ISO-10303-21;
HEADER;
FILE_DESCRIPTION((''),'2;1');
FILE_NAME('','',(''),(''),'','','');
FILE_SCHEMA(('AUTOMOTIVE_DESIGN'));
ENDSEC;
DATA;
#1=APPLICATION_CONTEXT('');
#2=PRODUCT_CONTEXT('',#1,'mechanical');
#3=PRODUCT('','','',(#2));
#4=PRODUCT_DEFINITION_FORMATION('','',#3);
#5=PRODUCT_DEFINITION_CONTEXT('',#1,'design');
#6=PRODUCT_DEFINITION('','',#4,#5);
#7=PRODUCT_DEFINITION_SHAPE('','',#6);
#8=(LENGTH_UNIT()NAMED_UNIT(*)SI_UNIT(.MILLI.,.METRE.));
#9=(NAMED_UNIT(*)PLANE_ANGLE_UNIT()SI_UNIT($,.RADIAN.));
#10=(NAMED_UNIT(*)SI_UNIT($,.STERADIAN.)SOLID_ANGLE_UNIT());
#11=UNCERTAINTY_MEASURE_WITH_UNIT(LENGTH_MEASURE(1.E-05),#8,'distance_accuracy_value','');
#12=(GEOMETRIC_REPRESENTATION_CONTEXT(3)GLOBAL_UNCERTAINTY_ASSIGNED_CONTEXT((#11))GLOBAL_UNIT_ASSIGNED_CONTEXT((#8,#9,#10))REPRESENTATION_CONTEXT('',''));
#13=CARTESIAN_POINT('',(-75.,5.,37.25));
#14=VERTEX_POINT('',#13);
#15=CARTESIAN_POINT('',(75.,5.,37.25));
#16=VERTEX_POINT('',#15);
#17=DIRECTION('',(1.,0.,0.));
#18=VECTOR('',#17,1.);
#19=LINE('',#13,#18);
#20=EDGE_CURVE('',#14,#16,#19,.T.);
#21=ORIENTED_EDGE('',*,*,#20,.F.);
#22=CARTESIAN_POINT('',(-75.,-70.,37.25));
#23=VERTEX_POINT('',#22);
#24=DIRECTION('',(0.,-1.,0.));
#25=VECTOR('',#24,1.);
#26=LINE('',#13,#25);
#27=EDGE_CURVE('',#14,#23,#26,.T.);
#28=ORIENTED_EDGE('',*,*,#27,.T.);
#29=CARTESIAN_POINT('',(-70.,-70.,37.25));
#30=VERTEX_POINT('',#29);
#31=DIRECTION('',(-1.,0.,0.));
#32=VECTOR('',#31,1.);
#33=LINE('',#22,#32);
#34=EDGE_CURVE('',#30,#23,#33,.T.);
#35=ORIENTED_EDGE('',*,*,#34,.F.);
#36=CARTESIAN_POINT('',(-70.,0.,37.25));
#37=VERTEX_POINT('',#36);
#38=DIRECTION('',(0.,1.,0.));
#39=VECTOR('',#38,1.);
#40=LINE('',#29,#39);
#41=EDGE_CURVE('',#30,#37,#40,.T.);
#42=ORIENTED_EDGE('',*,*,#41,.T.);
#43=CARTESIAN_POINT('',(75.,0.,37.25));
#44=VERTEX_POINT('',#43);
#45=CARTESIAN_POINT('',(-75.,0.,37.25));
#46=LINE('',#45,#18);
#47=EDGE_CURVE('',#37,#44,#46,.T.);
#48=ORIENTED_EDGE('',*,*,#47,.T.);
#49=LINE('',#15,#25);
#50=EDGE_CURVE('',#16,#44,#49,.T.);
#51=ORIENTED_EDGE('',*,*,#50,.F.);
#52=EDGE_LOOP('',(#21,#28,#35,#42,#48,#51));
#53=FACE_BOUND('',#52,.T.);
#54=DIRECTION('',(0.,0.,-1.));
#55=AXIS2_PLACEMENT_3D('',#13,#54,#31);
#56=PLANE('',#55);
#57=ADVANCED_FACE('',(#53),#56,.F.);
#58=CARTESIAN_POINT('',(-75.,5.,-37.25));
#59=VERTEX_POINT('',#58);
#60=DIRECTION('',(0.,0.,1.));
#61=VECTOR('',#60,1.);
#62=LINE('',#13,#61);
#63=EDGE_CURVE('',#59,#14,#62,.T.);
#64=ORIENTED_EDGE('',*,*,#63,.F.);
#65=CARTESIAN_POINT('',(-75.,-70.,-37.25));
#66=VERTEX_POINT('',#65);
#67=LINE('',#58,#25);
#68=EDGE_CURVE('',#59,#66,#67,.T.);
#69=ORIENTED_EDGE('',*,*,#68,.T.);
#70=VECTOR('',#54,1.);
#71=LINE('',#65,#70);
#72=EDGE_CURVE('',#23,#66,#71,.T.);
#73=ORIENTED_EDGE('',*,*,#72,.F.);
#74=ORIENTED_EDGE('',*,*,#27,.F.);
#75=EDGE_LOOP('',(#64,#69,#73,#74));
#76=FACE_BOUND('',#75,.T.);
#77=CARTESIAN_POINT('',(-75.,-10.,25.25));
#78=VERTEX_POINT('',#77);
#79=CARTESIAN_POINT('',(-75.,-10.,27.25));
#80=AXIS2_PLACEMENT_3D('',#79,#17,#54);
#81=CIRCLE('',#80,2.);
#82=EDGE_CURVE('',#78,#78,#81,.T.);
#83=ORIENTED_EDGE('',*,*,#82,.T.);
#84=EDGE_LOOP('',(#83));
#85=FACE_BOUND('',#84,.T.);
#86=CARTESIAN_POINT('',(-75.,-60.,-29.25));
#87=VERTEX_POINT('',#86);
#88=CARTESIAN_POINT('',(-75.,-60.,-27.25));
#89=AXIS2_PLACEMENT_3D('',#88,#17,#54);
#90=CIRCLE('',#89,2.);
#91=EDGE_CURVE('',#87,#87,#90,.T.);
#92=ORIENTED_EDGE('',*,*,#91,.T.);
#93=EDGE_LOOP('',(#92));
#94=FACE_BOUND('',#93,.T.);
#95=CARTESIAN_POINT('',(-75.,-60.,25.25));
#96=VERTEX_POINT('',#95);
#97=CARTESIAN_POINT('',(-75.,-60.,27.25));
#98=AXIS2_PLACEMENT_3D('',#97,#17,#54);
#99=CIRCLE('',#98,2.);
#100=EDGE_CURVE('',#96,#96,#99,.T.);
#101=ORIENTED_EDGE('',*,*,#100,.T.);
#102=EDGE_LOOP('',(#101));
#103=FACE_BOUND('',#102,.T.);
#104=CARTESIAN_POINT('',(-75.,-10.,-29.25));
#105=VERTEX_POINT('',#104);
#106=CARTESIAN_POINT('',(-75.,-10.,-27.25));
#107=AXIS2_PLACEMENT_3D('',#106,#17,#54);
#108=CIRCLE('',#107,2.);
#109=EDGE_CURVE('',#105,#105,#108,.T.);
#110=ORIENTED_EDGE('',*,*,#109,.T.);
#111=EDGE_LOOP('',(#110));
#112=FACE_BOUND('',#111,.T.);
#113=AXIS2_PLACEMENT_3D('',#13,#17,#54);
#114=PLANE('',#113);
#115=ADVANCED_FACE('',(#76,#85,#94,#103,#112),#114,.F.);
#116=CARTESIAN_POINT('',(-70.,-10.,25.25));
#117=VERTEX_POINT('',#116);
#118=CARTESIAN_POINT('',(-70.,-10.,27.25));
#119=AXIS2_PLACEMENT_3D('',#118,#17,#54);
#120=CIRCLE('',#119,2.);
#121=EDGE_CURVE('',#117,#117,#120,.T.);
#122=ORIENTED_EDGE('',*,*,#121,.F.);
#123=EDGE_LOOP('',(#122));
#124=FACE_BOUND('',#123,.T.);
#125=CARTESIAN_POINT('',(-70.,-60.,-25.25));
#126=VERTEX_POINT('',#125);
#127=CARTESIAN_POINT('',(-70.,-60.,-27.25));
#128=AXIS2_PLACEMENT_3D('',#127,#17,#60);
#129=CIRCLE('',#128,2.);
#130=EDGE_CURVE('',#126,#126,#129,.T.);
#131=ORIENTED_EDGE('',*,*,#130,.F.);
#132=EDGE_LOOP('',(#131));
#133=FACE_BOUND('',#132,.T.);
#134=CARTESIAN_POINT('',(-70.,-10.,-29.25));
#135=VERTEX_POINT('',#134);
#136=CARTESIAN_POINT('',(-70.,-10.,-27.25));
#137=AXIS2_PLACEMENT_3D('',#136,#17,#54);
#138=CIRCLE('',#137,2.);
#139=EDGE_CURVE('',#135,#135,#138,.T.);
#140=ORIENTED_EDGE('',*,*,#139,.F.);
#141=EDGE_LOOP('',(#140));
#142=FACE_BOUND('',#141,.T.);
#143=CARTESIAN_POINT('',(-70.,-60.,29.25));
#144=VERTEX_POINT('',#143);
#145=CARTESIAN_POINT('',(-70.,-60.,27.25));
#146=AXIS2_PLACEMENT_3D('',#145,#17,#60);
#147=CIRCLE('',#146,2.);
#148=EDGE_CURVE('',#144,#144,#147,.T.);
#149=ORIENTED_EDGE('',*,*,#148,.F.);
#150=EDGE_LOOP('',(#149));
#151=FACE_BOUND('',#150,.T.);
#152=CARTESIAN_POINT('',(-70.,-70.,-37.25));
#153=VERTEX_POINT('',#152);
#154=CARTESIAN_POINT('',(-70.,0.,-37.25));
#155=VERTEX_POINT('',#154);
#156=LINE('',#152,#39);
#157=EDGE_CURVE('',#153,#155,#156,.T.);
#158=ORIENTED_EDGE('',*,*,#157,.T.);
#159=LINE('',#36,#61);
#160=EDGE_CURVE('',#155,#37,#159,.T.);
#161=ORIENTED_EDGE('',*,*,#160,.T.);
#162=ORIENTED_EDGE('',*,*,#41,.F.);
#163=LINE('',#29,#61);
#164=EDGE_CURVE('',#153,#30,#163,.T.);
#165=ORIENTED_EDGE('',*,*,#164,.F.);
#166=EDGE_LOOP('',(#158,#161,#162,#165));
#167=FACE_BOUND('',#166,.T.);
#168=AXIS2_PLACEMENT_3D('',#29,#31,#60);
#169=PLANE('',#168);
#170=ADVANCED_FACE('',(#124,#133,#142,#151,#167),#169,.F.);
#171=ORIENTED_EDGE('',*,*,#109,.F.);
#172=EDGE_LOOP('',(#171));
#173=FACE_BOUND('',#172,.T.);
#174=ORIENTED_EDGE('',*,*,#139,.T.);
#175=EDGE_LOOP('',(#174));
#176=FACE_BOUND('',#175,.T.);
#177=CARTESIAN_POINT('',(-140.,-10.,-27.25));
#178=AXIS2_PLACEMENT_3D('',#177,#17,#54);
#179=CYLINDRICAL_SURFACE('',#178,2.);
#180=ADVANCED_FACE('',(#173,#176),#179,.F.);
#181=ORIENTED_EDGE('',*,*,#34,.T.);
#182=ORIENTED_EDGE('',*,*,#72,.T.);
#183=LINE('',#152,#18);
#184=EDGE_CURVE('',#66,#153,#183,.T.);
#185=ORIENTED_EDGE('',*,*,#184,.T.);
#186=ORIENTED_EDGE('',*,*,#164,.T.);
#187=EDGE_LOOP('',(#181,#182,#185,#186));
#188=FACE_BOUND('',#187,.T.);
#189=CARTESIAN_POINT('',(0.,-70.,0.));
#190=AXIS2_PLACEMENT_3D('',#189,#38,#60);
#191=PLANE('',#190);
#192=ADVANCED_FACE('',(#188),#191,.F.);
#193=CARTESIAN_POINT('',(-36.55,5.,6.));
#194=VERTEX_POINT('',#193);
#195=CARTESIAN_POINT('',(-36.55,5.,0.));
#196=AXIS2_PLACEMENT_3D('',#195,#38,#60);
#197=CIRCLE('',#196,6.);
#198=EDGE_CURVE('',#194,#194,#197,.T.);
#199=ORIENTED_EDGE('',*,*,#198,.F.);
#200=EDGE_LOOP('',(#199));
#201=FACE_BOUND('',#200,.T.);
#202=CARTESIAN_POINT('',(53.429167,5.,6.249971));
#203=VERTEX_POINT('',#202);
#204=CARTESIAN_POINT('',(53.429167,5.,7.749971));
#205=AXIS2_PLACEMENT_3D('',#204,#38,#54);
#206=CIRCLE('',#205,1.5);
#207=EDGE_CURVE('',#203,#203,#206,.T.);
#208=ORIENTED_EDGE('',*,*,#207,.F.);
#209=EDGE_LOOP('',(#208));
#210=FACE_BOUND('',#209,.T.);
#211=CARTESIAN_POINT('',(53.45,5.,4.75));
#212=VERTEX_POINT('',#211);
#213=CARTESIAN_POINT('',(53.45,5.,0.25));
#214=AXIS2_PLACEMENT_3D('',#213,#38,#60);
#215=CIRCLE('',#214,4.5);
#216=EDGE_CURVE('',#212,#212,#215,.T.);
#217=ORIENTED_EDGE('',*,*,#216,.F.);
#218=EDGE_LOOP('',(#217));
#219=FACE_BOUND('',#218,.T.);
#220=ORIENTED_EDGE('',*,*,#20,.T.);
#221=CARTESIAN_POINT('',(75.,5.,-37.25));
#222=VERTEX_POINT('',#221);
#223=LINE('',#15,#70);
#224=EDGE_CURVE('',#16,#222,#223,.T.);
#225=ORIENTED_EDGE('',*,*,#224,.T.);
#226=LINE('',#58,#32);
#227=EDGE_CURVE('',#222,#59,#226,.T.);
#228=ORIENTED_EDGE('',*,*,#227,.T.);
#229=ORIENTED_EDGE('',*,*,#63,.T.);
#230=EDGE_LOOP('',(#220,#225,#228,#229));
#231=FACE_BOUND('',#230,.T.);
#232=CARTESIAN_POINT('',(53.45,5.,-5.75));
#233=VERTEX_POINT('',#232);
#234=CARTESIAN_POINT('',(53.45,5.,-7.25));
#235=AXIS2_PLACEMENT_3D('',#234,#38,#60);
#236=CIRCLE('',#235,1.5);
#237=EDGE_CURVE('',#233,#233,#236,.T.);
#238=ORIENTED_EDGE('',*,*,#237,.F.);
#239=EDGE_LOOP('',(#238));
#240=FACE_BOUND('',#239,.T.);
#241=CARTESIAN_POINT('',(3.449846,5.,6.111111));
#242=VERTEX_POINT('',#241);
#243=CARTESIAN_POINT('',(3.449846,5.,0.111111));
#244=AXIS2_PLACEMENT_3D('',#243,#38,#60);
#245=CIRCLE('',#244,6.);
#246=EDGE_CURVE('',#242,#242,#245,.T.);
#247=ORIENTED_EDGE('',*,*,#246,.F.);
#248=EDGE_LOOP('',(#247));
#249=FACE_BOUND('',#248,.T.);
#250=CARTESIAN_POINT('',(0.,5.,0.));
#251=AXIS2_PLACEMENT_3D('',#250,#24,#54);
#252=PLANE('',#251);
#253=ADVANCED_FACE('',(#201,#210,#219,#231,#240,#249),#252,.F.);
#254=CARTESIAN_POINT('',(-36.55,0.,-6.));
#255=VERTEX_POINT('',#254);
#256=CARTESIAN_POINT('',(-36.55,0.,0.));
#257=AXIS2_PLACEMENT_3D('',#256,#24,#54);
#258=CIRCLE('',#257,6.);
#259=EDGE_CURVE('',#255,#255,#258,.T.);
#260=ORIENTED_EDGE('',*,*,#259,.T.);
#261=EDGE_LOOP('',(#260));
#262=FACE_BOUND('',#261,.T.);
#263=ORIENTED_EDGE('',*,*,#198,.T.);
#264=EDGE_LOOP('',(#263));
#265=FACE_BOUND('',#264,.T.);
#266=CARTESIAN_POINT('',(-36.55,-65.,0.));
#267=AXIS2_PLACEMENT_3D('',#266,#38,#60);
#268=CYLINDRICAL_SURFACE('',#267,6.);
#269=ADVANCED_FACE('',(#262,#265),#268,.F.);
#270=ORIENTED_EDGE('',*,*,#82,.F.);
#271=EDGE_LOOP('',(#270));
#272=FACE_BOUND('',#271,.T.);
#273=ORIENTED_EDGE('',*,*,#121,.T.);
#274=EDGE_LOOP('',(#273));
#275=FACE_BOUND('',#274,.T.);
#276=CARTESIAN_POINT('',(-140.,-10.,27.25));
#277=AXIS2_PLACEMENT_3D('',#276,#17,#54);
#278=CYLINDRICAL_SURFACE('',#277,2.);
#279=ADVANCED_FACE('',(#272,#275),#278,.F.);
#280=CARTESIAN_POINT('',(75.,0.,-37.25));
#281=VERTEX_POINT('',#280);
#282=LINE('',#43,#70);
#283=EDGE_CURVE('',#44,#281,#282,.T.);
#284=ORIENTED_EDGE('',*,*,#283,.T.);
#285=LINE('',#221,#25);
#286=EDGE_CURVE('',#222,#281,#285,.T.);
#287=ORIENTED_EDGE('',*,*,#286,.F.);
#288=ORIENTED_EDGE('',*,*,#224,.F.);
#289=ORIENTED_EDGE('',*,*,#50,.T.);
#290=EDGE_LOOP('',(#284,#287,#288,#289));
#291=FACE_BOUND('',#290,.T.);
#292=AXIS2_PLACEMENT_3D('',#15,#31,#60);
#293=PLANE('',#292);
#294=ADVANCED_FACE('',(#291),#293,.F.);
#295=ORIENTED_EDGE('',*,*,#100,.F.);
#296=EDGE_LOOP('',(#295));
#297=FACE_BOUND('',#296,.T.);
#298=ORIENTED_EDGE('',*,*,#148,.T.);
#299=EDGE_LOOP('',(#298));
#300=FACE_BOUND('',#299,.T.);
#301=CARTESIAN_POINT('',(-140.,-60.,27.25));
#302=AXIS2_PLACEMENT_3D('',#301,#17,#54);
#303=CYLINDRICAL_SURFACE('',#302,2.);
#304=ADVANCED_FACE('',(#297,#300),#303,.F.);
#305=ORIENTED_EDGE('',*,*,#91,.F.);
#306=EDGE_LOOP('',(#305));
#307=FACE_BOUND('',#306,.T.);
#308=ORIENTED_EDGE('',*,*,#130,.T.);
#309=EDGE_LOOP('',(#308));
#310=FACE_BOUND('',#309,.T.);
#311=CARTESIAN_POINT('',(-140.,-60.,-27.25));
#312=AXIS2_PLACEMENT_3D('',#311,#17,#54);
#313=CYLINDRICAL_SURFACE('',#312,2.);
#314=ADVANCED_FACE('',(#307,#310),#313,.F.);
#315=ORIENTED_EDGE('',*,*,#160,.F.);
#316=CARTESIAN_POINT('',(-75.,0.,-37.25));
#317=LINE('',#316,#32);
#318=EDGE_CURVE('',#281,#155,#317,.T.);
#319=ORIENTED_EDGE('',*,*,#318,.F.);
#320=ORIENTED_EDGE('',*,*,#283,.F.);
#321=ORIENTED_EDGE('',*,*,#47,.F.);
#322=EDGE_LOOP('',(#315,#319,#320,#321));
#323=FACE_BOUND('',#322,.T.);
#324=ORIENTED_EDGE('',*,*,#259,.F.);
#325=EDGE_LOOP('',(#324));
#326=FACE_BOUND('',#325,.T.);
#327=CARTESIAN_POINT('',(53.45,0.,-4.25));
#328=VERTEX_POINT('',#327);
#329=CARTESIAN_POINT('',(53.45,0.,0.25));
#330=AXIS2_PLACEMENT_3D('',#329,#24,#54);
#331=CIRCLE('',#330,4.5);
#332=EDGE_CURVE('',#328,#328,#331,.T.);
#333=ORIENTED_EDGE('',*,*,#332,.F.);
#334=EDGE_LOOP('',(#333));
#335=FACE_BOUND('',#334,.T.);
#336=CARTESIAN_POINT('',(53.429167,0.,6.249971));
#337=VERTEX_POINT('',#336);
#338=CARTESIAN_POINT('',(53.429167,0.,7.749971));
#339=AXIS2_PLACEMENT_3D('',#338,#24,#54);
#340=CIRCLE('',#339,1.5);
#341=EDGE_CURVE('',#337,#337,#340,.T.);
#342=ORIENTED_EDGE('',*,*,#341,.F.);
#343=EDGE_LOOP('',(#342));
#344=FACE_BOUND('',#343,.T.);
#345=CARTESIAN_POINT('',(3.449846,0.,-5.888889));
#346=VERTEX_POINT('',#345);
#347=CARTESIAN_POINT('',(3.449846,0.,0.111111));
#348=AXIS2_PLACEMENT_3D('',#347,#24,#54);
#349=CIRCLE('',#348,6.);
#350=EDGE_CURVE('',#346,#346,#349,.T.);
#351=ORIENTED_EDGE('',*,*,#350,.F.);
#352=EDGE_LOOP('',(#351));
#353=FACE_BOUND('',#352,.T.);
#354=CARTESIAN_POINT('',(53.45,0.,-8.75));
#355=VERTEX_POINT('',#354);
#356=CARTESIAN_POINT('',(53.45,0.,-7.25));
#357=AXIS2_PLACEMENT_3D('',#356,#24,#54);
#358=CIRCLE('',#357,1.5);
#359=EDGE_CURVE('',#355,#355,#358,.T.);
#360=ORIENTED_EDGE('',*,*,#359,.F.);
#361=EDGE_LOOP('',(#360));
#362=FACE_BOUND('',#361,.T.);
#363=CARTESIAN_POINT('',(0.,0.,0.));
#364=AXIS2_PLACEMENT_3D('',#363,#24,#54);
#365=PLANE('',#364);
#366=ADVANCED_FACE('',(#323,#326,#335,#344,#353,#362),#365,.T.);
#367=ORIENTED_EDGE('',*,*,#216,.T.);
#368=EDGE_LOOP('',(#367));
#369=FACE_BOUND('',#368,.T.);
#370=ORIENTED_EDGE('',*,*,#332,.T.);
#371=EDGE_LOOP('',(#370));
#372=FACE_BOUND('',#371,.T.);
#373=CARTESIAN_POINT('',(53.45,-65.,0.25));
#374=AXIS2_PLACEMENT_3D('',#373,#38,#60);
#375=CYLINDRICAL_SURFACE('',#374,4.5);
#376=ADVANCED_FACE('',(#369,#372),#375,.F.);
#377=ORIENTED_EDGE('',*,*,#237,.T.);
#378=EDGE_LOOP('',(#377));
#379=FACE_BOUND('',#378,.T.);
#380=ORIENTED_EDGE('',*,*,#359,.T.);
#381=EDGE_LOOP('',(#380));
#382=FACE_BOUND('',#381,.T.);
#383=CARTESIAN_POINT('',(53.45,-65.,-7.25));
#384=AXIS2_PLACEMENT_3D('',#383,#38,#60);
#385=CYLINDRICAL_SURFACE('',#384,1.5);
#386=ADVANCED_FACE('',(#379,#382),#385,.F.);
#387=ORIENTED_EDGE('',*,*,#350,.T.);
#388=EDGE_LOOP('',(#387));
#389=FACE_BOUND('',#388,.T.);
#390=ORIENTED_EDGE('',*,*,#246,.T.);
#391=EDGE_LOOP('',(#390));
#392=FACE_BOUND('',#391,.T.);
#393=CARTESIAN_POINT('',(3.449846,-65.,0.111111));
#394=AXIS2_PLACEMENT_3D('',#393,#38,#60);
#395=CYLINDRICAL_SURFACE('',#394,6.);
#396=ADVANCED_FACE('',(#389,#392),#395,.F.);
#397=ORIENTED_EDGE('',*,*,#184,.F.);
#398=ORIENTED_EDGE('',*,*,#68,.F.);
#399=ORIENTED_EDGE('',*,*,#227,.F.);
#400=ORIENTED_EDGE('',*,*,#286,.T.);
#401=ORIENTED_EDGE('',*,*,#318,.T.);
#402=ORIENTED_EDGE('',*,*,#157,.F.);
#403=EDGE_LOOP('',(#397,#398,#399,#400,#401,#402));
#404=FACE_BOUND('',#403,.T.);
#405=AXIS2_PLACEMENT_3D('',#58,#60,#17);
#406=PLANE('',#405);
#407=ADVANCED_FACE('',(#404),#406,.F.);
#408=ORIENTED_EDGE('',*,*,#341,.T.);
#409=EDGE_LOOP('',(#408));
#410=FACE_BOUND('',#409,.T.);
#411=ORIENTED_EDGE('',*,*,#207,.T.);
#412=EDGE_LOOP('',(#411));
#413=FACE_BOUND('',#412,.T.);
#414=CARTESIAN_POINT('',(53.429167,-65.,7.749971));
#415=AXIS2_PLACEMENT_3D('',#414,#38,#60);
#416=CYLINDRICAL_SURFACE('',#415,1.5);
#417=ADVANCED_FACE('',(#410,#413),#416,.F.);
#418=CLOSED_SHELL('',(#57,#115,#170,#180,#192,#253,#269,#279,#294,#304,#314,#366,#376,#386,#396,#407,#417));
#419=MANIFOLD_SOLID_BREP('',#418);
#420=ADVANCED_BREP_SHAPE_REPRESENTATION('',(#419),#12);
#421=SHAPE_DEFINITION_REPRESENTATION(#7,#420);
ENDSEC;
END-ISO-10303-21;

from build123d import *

# Parameters (mm, degrees)
CROQUIS1_W              = 150
CROQUIS1_H              = 74.5
SALIENTE_EXTRUIR1_DEPTH = 5
CROQUIS2_W              = 5
CROQUIS2_H              = 74.5
SALIENTE_EXTRUIR2_DEPTH = 70
CROQUIS3_R              = 2
CORTAR_EXTRUIR1_DEPTH   = 70
CROQUIS4_R              = 6
CROQUIS4_R_2            = 4.5
CROQUIS4_R_3            = 1.5
CORTAR_EXTRUIR2_DEPTH   = 70


with BuildPart() as part:
    # Croquis1 → Saliente-Extruir1 (new body)
    with BuildSketch(Plane(origin=(0, 0, 0), x_dir=(1, 0, 0), z_dir=(0, 1, 0))):
        Rectangle(CROQUIS1_W, CROQUIS1_H)
    extrude(amount=SALIENTE_EXTRUIR1_DEPTH)

    # Croquis2 → Saliente-Extruir2 (add)
    with BuildSketch(Plane.XZ):
        with Locations((-72.5, 0)):
            Rectangle(CROQUIS2_W, CROQUIS2_H)
    extrude(amount=SALIENTE_EXTRUIR2_DEPTH)

    # Croquis3 → Cortar-Extruir1 (cut)
    with BuildSketch(Plane(origin=(-70, 0, 0), x_dir=(0, 0, -1), z_dir=(1, 0, 0))):
        with Locations((-27.25, -10)):
            Circle(CROQUIS3_R)
        with Locations((27.25, -10)):
            Circle(CROQUIS3_R)
        with Locations((27.25, -60)):
            Circle(CROQUIS3_R)
        with Locations((-27.25, -60)):
            Circle(CROQUIS3_R)
    extrude(amount=-CORTAR_EXTRUIR1_DEPTH, mode=Mode.SUBTRACT)

    # Croquis4 → Cortar-Extruir2 (cut)
    with BuildSketch(Plane(origin=(0, 5, 0), x_dir=(1, 0, 0), z_dir=(0, 1, 0))):
        with Locations((-36.55, 0)):
            Circle(CROQUIS4_R)
        with Locations((53.45, -0.25)):
            Circle(CROQUIS4_R_2)
        with Locations((53.45, 7.25)):
            Circle(CROQUIS4_R_3)
        with Locations((53.429166747, -7.749971065)):
            Circle(CROQUIS4_R_3)
        with Locations((3.44984568, -0.111110682)):
            Circle(CROQUIS4_R)
    extrude(amount=-CORTAR_EXTRUIR2_DEPTH, mode=Mode.SUBTRACT)


solid = part.part
